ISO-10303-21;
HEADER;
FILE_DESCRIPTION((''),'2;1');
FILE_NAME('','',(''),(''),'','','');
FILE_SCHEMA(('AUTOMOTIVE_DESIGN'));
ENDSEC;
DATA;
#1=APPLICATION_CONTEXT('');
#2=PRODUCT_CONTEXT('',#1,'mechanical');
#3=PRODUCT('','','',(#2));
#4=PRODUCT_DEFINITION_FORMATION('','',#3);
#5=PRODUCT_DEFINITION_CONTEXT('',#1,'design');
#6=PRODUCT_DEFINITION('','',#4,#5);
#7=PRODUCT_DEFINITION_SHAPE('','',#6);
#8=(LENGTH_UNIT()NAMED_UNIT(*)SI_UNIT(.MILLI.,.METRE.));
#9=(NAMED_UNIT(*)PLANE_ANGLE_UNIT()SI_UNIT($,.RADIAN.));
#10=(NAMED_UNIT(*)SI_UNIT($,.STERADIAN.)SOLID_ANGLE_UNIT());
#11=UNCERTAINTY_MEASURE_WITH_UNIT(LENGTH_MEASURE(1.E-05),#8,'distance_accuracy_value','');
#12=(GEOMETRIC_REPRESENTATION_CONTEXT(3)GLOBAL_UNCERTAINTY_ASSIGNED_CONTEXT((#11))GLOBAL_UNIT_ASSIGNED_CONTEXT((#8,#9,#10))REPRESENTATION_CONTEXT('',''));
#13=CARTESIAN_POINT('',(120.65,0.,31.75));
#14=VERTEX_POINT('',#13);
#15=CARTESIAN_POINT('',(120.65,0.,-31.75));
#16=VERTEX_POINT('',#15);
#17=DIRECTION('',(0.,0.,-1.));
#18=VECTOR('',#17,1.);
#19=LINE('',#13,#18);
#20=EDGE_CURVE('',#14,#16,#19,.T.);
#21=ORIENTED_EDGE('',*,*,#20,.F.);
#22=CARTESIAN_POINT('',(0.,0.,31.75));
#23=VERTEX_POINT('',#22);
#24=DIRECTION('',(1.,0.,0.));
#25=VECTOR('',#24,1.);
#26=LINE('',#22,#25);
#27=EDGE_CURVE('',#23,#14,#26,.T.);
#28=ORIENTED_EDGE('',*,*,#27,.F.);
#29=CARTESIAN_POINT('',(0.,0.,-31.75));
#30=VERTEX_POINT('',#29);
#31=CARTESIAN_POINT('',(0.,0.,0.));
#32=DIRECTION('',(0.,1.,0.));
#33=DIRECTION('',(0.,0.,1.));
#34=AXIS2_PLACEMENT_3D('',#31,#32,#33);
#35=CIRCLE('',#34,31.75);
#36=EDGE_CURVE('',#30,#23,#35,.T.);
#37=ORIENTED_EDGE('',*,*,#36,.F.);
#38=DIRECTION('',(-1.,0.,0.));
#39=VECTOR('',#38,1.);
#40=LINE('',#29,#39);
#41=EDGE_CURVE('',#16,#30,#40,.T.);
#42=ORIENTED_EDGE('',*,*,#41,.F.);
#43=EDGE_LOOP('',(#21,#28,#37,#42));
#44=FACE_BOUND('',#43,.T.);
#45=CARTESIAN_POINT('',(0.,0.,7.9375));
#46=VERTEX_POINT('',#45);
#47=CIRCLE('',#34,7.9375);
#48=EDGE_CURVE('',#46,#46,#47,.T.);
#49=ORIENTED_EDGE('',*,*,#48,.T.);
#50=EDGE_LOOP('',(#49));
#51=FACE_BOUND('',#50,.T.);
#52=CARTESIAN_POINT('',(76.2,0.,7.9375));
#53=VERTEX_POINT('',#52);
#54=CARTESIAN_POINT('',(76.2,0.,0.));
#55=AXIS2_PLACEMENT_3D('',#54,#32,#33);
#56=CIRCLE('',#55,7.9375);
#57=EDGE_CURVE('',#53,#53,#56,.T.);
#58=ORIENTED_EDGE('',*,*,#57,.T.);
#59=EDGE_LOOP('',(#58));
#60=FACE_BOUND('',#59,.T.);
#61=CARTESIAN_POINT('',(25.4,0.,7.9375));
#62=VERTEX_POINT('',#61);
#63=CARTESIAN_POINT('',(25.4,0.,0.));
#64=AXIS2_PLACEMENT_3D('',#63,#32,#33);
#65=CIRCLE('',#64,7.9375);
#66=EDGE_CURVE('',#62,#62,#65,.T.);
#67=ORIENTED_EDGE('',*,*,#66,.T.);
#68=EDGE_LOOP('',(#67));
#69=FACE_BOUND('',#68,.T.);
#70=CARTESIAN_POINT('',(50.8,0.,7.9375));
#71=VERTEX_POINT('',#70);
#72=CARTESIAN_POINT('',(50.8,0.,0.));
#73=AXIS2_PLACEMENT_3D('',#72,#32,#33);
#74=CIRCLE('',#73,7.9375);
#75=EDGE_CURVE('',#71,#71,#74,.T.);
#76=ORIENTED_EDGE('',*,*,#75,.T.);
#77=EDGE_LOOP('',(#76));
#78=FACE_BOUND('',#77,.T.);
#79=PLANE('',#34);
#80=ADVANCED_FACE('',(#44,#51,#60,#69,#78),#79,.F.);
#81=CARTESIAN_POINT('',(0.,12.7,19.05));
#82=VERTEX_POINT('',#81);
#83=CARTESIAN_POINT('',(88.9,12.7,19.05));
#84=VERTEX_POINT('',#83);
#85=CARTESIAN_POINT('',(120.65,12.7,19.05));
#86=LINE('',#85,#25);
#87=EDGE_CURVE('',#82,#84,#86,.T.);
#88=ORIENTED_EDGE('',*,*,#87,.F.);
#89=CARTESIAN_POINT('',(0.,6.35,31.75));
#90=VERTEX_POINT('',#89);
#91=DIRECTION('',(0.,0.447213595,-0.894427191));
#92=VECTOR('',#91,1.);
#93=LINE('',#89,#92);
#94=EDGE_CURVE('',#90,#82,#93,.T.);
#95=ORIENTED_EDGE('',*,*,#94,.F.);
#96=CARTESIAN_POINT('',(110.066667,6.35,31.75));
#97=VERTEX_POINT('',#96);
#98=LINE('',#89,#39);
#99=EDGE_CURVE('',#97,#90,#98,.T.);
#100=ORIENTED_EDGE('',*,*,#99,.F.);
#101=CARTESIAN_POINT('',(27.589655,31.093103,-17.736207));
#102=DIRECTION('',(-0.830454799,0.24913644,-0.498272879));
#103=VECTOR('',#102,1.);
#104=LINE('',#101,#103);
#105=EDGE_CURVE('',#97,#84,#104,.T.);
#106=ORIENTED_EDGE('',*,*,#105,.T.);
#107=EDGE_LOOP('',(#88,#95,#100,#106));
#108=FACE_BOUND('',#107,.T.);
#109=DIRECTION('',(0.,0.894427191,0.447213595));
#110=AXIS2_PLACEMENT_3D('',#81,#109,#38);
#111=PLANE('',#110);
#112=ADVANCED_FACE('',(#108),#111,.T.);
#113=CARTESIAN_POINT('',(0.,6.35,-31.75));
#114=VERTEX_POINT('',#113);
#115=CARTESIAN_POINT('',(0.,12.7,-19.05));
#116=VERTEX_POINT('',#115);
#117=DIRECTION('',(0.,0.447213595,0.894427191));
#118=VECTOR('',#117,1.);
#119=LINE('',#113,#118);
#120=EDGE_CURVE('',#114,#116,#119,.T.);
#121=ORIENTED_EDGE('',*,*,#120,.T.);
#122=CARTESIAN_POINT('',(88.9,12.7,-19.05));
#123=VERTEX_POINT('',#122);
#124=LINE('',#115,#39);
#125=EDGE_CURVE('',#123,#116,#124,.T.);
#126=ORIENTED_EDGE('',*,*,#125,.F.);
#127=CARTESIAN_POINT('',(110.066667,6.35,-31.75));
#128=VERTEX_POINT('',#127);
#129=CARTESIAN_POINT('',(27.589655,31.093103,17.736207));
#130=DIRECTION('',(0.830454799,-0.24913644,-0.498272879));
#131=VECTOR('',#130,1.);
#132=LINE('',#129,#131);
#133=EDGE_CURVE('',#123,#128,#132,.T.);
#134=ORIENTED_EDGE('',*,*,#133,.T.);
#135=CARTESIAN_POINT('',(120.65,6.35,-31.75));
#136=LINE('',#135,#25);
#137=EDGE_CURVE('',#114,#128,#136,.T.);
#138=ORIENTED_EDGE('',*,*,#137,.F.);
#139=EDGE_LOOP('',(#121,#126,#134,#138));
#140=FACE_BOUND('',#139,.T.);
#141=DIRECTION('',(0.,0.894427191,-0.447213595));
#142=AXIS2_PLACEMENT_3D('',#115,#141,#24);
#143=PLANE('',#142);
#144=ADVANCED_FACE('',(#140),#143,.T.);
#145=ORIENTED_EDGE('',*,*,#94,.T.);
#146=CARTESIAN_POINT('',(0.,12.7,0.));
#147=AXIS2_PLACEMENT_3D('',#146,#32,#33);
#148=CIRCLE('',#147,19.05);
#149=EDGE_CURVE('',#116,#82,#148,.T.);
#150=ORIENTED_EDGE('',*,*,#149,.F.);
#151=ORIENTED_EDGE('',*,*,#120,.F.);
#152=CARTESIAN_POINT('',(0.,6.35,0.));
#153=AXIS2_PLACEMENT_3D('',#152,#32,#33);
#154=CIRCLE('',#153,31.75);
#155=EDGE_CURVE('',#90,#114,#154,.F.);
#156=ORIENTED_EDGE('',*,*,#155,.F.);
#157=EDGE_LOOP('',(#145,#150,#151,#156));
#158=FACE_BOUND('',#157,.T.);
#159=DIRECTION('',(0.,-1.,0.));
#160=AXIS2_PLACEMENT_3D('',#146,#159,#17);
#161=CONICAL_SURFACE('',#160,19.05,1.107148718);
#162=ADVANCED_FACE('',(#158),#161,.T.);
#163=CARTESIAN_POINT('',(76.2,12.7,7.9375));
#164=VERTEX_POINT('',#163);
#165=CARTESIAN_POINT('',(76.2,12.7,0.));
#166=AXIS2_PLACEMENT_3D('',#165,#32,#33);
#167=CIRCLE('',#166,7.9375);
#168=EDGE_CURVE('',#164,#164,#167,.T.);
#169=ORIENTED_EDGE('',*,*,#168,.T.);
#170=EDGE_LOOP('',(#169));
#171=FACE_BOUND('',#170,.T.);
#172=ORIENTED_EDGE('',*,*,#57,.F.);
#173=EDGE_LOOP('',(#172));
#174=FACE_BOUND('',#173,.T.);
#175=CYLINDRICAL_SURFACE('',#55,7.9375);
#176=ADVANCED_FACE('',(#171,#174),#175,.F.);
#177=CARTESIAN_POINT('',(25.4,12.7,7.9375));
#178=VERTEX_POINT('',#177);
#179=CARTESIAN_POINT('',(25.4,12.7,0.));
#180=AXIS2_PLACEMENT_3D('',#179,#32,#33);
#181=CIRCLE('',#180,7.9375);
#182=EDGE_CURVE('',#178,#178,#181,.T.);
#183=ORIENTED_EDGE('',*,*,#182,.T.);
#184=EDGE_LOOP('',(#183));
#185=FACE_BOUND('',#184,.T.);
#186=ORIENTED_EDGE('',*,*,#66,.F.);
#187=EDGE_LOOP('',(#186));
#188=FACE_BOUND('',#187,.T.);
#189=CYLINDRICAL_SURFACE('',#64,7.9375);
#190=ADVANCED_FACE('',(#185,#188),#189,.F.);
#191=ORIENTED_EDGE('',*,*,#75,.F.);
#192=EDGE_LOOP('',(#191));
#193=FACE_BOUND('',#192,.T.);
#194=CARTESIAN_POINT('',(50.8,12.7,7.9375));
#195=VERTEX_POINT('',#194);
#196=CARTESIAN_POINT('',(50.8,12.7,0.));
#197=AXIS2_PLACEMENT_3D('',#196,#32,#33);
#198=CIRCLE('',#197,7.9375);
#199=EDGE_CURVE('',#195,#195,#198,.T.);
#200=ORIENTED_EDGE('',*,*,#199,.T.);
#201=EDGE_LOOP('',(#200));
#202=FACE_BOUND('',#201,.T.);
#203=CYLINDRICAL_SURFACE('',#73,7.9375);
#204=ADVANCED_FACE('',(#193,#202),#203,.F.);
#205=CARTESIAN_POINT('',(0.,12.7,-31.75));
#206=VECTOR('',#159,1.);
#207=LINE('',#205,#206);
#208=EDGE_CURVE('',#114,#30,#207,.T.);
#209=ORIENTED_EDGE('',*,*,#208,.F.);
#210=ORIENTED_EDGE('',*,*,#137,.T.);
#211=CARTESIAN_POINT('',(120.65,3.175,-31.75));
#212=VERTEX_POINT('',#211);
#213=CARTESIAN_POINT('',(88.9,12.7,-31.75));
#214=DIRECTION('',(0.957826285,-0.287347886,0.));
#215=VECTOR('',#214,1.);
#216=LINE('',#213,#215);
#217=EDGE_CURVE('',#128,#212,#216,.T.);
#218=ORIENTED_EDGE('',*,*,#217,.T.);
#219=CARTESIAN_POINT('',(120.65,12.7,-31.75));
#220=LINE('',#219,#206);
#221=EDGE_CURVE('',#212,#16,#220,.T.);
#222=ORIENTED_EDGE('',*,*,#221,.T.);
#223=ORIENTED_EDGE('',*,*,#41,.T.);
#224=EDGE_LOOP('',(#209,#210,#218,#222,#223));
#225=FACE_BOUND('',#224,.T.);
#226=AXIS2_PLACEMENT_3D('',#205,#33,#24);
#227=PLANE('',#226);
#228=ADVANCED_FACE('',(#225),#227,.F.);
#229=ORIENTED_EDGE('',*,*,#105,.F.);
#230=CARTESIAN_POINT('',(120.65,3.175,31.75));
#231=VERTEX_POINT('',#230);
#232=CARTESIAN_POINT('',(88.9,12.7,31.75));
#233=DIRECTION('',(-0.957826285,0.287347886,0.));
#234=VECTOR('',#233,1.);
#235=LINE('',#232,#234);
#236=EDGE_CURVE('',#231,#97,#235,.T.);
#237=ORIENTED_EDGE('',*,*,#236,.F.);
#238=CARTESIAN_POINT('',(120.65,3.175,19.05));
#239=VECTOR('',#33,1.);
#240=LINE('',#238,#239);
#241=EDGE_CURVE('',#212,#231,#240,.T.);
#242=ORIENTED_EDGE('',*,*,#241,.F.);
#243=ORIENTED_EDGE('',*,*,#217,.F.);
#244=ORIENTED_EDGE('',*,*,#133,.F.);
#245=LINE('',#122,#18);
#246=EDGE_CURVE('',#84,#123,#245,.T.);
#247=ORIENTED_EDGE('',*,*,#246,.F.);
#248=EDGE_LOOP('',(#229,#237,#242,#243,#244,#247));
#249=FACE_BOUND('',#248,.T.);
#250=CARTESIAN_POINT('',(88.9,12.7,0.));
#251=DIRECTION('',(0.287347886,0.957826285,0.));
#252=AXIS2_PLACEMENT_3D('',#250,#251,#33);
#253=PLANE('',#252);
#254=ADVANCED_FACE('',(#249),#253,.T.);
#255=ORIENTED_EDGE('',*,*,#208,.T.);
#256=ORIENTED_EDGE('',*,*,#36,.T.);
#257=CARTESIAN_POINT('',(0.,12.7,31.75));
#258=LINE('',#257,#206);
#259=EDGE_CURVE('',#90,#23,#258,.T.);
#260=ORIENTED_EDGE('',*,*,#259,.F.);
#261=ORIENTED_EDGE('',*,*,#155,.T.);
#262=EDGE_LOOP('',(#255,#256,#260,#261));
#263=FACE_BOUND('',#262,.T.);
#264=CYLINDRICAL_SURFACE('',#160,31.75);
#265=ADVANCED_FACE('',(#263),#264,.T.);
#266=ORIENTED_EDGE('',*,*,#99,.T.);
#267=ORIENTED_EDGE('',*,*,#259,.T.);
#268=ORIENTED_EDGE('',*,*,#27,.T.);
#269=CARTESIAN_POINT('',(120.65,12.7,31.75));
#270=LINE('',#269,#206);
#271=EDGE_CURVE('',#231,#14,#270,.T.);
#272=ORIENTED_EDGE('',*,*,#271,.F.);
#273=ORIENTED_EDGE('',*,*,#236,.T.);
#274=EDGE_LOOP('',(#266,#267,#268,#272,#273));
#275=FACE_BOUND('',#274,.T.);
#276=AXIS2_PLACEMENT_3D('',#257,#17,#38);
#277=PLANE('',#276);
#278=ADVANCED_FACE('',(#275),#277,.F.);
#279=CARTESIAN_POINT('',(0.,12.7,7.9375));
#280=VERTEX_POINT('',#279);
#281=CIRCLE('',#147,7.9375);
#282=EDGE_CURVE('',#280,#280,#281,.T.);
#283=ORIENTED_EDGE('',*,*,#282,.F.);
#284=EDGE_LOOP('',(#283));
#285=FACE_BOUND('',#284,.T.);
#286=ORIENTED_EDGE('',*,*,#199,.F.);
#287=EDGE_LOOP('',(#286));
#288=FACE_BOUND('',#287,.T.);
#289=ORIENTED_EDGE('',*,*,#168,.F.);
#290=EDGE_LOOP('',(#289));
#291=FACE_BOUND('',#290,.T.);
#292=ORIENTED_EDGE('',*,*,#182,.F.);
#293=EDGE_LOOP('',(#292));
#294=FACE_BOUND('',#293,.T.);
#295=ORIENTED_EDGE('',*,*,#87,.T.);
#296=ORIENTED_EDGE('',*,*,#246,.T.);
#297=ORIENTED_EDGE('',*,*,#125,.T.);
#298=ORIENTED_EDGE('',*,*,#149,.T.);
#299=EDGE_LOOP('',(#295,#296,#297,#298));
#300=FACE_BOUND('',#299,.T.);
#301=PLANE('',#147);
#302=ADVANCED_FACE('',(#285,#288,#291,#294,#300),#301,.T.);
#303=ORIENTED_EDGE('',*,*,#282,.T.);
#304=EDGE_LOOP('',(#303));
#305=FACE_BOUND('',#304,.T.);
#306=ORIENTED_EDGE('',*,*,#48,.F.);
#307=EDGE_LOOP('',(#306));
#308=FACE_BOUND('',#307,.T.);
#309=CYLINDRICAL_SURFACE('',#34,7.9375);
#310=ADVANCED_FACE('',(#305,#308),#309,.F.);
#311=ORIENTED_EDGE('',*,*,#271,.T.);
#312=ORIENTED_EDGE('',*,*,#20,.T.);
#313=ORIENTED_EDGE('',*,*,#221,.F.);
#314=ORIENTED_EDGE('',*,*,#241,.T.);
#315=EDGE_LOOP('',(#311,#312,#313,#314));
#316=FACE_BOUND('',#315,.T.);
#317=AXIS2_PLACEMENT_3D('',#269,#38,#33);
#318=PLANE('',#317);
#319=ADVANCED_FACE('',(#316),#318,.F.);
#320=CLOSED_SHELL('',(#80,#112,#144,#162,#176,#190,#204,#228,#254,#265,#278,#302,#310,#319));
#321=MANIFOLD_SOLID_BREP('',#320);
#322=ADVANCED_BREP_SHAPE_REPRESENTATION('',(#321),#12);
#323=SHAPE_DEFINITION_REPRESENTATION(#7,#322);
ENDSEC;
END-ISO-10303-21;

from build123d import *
from OCP.BRepFilletAPI import BRepFilletAPI_MakeChamfer

# Parameters (mm, degrees)
BOSS_EXTRUDE2_DEPTH = 12.7
CHAMFER3_SIZE       = 6.35
CHAMFER3_SIZE2      = 12.7
CHAMFER4_SIZE       = 9.525
CHAMFER4_SIZE2      = 31.75
SKETCH14_R          = 7.9375
CUT_EXTRUDE3_DEPTH  = 126.402452129


with BuildPart() as part:
    # Sketch13 → Boss-Extrude2 (new body)
    with BuildSketch(Plane(origin=(0, 0, 0), x_dir=(1, 0, 0), z_dir=(0, 1, 0))):
        with BuildLine():
            Line((0, 31.75), (120.65, 31.75))
            Line((120.65, 31.75), (120.65, -31.75))
            Line((120.65, -31.75), (0, -31.75))
            ThreePointArc((0, -31.75), (-31.75, 0), (0, 31.75))
        make_face()
    extrude(amount=BOSS_EXTRUDE2_DEPTH)

    # Chamfer3: one chamfer whose edges measure the first distance from different faces: ONE call of the kernel's chamfer builder (chamfer() names one face for all edges)
    chamfer3_edges_1 = [part.edges().sort_by_distance(p)[0] for p in [
        (60.325, 12.7, -31.75),
    ]]
    chamfer3_side_1 = [part.faces().sort_by_distance(p)[0] for p in [
        (60.325, 6.35, -31.75),
    ]]
    chamfer3_edges_2 = [part.edges().sort_by_distance(p)[0] for p in [
        (-31.75, 12.7, 0),
    ]]
    chamfer3_side_2 = [part.faces().sort_by_distance(p)[0] for p in [
        (-31.75, 6.35, 0),
    ]]
    chamfer3_edges_3 = [part.edges().sort_by_distance(p)[0] for p in [
        (60.325, 12.7, 31.75),
    ]]
    chamfer3_side_3 = [part.faces().sort_by_distance(p)[0] for p in [
        (60.325, 6.35, 31.75),
    ]]
    chamfer3 = BRepFilletAPI_MakeChamfer(part.part.solid().wrapped)
    for e in chamfer3_edges_1:
        chamfer3.Add(CHAMFER3_SIZE, CHAMFER3_SIZE2, e.wrapped, chamfer3_side_1[0].wrapped)  # the first distance lies on this face
    for e in chamfer3_edges_2:
        chamfer3.Add(CHAMFER3_SIZE, CHAMFER3_SIZE2, e.wrapped, chamfer3_side_2[0].wrapped)  # the first distance lies on this face
    for e in chamfer3_edges_3:
        chamfer3.Add(CHAMFER3_SIZE, CHAMFER3_SIZE2, e.wrapped, chamfer3_side_3[0].wrapped)  # the first distance lies on this face
    add(Compound.cast(chamfer3.Shape()), mode=Mode.REPLACE)

    # Chamfer4
    chamfer4_edges = [part.edges().sort_by_distance(p)[0] for p in [
        (120.65, 12.7, 0),
    ]]
    chamfer4_side = [part.faces().sort_by_distance(p)[0] for p in [
        (120.65, 5.87962963, 0),
    ]]
    chamfer(chamfer4_edges, length=CHAMFER4_SIZE, length2=CHAMFER4_SIZE2, reference=chamfer4_side[0])

    # Sketch14 → Cut-Extrude3 (cut, through all)
    with BuildSketch(Plane(origin=(0, 12.7, 0), x_dir=(1, 0, 0), z_dir=(0, 1, 0))):
        with Locations(Location((0, 0, 0), (0, 0, 270))):
            Circle(SKETCH14_R)
        with Locations(Location((25.4, 0, 0), (0, 0, 270))):
            Circle(SKETCH14_R)
        with Locations(Location((50.8, 0, 0), (0, 0, 270))):
            Circle(SKETCH14_R)
        with Locations(Location((76.2, 0, 0), (0, 0, 270))):
            Circle(SKETCH14_R)
    extrude(amount=-CUT_EXTRUDE3_DEPTH, mode=Mode.SUBTRACT)


solid = part.part
